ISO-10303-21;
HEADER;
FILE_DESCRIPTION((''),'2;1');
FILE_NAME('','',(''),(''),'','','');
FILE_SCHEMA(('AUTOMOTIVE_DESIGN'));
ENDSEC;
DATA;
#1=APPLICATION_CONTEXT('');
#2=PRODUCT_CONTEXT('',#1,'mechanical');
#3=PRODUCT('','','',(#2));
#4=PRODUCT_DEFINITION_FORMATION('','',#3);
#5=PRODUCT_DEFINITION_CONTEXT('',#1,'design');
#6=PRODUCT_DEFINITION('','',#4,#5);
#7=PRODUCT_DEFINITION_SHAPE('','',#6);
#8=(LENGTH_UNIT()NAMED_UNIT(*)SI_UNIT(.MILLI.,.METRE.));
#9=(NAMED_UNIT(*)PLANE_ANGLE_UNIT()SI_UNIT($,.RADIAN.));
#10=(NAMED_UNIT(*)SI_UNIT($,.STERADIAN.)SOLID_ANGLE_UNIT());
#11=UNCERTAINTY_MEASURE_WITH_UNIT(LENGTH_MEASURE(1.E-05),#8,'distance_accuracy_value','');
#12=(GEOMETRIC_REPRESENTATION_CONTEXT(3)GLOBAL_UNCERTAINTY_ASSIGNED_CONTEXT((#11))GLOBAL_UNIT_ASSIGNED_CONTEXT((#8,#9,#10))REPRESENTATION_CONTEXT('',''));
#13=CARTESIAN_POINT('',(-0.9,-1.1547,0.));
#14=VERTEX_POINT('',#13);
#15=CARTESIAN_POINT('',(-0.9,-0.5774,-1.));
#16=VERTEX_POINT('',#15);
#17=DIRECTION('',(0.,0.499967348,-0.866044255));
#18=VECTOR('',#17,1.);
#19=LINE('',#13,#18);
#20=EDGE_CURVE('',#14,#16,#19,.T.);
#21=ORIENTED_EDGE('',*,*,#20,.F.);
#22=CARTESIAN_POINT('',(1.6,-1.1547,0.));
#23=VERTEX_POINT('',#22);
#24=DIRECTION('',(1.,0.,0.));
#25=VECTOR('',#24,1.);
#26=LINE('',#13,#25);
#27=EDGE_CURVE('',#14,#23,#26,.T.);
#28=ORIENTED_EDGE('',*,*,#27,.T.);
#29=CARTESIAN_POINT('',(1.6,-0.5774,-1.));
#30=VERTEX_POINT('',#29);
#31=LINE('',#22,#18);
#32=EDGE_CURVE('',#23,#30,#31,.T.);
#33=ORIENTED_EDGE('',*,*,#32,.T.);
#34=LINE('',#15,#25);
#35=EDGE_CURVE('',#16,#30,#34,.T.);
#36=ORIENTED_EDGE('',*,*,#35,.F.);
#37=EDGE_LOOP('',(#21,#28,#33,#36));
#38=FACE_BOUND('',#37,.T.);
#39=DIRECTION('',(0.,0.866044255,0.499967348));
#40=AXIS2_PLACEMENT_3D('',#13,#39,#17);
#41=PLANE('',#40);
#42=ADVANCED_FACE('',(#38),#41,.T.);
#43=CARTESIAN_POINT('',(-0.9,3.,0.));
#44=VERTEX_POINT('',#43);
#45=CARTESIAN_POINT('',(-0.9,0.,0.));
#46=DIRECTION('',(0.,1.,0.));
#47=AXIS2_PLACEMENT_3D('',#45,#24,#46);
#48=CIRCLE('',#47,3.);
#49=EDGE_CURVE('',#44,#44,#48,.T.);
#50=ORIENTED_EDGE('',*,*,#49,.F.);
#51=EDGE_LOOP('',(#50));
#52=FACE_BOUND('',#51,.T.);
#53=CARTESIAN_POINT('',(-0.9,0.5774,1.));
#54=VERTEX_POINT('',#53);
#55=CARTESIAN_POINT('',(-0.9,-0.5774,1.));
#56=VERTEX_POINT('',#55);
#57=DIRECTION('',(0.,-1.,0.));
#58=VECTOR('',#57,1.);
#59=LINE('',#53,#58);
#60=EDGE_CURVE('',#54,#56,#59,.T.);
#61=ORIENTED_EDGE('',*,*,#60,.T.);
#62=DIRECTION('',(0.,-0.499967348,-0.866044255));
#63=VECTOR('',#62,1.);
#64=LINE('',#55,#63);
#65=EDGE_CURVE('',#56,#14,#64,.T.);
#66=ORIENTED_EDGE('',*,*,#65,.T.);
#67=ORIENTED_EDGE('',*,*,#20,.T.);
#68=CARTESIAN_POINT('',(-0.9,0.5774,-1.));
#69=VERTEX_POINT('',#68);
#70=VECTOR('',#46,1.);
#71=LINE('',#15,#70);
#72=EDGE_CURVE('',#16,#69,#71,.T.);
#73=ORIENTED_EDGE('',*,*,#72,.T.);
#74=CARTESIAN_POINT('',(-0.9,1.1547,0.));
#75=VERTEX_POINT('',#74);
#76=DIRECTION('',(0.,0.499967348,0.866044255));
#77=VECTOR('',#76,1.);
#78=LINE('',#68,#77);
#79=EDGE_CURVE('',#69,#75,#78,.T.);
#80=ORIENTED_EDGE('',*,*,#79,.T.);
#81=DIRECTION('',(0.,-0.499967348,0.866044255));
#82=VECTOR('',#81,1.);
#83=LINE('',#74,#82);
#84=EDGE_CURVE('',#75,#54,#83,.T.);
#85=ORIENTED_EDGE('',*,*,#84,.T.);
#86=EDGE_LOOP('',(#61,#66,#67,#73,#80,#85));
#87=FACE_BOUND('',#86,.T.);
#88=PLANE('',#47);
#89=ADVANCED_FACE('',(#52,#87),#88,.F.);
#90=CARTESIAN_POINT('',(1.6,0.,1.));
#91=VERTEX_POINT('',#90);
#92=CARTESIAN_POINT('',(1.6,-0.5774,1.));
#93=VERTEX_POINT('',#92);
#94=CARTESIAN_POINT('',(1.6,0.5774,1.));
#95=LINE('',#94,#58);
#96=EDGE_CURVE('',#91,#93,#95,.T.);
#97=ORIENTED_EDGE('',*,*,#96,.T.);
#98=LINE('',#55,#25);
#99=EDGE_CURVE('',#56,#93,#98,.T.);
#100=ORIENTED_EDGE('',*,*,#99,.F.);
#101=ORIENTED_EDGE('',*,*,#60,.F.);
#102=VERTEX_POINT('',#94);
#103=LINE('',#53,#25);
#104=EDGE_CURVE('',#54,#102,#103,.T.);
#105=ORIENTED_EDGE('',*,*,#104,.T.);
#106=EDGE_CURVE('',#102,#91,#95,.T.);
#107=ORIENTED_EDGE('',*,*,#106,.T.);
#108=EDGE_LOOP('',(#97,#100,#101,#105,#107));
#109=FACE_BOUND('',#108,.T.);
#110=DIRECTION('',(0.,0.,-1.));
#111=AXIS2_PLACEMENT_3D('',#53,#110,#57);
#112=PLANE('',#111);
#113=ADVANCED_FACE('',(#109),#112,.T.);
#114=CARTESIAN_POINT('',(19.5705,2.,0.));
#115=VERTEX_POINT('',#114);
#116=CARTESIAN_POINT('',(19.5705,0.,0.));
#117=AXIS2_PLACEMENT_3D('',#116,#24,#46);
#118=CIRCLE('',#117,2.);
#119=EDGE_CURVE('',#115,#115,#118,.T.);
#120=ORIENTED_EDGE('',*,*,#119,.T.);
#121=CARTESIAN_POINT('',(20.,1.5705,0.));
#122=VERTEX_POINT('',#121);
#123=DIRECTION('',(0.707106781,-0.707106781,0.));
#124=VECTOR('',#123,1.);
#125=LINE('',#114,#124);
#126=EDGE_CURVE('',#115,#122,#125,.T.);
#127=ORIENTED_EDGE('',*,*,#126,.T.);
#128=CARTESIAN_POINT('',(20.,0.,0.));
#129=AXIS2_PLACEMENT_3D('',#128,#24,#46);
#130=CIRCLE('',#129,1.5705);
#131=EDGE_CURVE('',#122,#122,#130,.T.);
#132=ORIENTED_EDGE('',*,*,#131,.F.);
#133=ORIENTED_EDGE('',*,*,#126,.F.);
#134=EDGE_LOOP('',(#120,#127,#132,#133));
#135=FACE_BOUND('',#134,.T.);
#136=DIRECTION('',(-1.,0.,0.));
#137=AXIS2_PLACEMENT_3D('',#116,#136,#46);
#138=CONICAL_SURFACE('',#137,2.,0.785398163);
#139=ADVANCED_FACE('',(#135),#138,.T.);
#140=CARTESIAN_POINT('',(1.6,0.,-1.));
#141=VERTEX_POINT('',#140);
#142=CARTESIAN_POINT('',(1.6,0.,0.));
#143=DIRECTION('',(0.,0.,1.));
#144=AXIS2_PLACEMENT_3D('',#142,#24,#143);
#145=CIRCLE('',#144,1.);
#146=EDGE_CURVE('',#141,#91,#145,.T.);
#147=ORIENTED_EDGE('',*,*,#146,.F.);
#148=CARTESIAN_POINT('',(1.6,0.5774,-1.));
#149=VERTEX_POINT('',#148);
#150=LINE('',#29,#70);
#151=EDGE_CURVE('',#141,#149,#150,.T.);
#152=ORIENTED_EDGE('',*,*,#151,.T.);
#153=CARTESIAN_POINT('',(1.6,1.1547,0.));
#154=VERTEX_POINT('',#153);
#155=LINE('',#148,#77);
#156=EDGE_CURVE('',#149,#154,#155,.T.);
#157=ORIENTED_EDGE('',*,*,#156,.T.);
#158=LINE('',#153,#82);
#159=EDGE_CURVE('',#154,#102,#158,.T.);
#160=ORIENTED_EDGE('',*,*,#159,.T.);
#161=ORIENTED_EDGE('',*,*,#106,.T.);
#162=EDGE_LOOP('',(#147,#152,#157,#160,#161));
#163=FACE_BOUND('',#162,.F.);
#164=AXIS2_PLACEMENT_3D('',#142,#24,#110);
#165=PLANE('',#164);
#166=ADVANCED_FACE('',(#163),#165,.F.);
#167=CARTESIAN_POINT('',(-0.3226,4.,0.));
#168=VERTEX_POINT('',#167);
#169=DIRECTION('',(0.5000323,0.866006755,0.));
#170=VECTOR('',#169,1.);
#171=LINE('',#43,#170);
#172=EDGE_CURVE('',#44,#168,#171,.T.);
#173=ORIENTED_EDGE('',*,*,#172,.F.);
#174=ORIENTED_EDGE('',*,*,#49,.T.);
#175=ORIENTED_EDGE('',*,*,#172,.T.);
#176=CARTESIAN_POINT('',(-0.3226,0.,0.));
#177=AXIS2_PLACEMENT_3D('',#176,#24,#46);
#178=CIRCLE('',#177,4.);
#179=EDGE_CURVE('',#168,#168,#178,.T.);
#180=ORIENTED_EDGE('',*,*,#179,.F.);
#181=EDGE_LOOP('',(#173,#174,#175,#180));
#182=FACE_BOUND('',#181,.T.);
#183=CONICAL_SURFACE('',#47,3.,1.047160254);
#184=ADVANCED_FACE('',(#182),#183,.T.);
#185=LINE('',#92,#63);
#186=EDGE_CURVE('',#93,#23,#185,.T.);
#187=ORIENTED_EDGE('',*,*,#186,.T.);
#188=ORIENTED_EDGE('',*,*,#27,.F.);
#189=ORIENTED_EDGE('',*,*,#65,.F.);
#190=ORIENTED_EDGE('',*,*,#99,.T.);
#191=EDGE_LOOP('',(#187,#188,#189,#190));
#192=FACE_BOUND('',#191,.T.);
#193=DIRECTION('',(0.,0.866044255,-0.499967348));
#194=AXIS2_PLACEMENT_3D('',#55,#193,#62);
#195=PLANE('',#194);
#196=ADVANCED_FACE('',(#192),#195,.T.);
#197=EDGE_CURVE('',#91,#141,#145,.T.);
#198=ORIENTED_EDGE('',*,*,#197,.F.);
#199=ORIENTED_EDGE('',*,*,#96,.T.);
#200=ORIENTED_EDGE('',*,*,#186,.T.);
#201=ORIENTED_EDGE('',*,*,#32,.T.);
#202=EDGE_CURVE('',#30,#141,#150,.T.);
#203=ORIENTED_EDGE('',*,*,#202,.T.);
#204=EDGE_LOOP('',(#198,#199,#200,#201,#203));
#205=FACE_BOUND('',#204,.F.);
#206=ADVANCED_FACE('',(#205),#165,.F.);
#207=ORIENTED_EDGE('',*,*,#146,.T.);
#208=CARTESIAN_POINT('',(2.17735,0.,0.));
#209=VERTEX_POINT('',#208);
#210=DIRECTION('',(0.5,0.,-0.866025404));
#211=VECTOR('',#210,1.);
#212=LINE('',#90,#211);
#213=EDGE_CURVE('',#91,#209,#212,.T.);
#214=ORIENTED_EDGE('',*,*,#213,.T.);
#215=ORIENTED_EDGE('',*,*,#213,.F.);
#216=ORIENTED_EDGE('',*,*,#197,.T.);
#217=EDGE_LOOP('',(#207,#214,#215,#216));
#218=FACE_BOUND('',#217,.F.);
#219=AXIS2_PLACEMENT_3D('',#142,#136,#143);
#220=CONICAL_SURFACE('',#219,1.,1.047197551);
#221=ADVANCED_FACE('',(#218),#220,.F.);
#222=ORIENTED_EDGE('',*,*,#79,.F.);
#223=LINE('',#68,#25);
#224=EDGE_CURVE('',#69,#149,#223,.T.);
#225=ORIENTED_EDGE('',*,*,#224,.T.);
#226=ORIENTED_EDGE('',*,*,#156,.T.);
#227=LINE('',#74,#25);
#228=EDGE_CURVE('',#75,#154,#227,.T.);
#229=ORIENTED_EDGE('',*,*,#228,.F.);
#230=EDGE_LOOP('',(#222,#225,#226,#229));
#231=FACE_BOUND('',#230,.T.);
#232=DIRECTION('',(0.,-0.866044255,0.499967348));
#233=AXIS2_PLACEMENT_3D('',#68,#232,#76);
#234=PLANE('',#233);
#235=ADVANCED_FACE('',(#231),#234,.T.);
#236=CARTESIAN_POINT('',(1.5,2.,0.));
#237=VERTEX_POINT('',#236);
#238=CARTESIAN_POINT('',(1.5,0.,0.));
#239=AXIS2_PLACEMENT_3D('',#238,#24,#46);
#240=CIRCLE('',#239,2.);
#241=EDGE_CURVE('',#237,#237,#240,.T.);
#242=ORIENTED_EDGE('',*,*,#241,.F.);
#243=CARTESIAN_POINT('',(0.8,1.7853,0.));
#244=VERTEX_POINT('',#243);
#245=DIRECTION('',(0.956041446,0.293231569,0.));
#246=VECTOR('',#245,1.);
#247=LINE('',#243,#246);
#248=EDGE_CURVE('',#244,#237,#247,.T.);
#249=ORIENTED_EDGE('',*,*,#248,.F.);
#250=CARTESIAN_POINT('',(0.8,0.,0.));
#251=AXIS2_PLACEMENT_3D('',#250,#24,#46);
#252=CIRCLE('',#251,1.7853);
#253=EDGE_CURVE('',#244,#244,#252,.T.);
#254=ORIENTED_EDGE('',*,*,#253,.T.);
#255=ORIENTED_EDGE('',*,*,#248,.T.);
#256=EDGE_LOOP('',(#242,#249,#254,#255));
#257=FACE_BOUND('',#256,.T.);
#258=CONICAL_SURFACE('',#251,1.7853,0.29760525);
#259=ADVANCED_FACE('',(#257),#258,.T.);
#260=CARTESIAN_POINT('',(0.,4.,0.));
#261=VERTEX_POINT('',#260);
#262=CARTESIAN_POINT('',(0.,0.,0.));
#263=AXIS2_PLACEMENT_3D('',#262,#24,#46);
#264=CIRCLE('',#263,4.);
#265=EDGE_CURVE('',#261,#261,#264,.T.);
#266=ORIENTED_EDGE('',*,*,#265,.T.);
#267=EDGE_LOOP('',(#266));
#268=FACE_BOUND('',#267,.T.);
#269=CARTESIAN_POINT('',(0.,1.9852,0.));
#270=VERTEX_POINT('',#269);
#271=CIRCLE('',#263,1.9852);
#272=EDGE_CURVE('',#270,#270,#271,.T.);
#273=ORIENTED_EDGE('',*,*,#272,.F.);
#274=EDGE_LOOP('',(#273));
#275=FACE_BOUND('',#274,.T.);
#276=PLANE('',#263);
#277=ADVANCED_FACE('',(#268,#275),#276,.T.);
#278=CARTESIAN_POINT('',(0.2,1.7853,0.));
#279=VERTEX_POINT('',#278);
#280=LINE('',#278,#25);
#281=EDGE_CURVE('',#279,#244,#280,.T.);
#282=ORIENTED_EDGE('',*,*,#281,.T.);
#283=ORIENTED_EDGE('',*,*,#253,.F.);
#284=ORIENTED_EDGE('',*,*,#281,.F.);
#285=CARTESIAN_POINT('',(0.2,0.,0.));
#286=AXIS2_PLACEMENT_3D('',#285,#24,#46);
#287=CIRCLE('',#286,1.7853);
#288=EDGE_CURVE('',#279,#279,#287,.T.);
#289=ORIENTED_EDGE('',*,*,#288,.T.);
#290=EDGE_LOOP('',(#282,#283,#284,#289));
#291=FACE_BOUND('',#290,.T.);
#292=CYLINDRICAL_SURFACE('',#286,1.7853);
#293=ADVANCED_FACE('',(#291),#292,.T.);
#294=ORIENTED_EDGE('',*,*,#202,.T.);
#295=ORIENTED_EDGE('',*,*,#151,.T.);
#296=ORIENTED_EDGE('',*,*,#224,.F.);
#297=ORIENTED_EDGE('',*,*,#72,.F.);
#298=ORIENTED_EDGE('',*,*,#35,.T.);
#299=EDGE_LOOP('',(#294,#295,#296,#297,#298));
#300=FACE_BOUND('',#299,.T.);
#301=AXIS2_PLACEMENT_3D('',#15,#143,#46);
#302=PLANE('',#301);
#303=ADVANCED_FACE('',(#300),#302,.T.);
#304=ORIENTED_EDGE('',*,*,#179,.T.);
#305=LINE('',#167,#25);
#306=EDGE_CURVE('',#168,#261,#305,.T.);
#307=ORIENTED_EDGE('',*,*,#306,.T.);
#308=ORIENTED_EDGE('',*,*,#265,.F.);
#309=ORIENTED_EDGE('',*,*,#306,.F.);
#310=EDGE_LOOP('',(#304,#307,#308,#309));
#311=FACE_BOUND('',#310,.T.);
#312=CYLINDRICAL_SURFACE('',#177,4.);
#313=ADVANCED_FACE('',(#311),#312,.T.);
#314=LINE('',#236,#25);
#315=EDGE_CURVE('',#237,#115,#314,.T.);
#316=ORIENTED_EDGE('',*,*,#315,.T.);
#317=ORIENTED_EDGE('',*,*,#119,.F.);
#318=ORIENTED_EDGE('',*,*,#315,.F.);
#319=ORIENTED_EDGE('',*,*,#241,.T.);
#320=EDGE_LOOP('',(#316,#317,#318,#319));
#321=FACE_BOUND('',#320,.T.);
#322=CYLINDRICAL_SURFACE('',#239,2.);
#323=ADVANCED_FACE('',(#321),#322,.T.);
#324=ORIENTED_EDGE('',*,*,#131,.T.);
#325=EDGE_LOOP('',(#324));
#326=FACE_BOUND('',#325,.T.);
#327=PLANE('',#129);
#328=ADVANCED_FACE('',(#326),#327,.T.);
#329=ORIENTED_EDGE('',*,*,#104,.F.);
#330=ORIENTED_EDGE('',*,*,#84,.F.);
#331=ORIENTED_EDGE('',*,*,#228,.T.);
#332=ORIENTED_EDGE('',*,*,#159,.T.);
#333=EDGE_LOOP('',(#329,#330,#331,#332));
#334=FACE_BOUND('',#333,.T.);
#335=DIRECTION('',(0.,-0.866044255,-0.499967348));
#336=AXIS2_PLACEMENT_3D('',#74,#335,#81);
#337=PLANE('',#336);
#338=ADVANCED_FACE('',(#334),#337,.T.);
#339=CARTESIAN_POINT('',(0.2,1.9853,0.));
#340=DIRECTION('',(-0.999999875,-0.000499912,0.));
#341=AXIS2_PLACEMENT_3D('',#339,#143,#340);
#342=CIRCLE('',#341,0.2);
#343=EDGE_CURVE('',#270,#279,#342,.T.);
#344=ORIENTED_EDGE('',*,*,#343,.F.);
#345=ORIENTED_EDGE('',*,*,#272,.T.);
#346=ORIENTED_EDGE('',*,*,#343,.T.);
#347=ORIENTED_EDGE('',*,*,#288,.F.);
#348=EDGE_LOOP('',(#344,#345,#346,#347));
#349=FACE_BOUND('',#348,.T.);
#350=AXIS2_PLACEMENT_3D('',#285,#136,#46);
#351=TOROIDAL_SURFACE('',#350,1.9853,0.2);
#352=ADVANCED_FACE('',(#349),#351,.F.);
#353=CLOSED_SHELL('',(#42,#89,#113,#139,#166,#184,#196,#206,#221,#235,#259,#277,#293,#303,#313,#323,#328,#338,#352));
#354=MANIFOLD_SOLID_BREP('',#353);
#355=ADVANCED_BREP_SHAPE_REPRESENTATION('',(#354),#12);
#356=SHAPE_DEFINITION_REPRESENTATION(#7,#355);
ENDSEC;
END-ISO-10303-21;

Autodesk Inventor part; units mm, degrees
ref_plane "YZ Plane" through (0, 0, 0) normal (1, 0, 0) x (0, 1, 0)
ref_plane "XZ Plane" through (0, 0, 0) normal (0, 1, 0) x (-1, 0, 0)
ref_plane "XY Plane" through (0, 0, 0) normal (0, 0, 1) x (1, 0, 0)
sketch "Sketch_1" plane through (0, 0, 0) normal (0, 0, 1) x (1, 0, 0)
  line L0 (20, 0) -> (-0.9, 0)
  line L1 (-0.9, 0) -> (-0.9, 3)
  line L2 (-0.9, 3) -> (-0.3226, 4)
  line L3 (-0.3226, 4) -> (0, 4)
  line L4 (0, 4) -> (0, 1.9852)
  arc A0 (0, 1.9852) -> (0.2, 1.7853) centre (0.2, 1.9853) ccw
  line L5 (0.2, 1.7853) -> (0.8, 1.7853)
  line L6 (0.8, 1.7853) -> (1.5, 2)
  line L7 (1.5, 2) -> (19.5705, 2)
  line L8 (19.5705, 2) -> (20, 1.5705)
  line L9 (20, 1.5705) -> (20, 0)
  line L10 (20, 0) -> (-0.9, 0)
revolve "Revolution1" add sketch "Sketch_1" angle 360 about axis through (20, 0, 0) along (1, 0, 0)
thread "Thread1" size "M4x0.7" class "6g" standard "ISO Metric profile" full length
sketch "Sketch2" plane through (-0.9, 0, 0) normal (-1, 0, 0) x (0, 0, 1)
  point P0 (0, 0)
hole "Hole1" at (-0.9, 0, 0) direction (1, 0, 0) diameter 2 depth 2.5 tip angle 120
sketch "Sketch_3" plane through (-0.9, 0, 0) normal (1, 0, 0) x (0, 0, -1)
  line L0 (-1, -0.5774) -> (0, -1.1547)
  line L1 (0, -1.1547) -> (1, -0.5774)
  line L2 (1, -0.5774) -> (1, 0.5774)
  line L3 (1, 0.5774) -> (0, 1.1547)
  line L4 (0, 1.1547) -> (-1, 0.5774)
  line L5 (-1, 0.5774) -> (-1, -0.5774)
extrude "Extrusion1" cut sketch "Sketch_3" along normal blind 2.5
properties part number "CBSTSR4-20"
